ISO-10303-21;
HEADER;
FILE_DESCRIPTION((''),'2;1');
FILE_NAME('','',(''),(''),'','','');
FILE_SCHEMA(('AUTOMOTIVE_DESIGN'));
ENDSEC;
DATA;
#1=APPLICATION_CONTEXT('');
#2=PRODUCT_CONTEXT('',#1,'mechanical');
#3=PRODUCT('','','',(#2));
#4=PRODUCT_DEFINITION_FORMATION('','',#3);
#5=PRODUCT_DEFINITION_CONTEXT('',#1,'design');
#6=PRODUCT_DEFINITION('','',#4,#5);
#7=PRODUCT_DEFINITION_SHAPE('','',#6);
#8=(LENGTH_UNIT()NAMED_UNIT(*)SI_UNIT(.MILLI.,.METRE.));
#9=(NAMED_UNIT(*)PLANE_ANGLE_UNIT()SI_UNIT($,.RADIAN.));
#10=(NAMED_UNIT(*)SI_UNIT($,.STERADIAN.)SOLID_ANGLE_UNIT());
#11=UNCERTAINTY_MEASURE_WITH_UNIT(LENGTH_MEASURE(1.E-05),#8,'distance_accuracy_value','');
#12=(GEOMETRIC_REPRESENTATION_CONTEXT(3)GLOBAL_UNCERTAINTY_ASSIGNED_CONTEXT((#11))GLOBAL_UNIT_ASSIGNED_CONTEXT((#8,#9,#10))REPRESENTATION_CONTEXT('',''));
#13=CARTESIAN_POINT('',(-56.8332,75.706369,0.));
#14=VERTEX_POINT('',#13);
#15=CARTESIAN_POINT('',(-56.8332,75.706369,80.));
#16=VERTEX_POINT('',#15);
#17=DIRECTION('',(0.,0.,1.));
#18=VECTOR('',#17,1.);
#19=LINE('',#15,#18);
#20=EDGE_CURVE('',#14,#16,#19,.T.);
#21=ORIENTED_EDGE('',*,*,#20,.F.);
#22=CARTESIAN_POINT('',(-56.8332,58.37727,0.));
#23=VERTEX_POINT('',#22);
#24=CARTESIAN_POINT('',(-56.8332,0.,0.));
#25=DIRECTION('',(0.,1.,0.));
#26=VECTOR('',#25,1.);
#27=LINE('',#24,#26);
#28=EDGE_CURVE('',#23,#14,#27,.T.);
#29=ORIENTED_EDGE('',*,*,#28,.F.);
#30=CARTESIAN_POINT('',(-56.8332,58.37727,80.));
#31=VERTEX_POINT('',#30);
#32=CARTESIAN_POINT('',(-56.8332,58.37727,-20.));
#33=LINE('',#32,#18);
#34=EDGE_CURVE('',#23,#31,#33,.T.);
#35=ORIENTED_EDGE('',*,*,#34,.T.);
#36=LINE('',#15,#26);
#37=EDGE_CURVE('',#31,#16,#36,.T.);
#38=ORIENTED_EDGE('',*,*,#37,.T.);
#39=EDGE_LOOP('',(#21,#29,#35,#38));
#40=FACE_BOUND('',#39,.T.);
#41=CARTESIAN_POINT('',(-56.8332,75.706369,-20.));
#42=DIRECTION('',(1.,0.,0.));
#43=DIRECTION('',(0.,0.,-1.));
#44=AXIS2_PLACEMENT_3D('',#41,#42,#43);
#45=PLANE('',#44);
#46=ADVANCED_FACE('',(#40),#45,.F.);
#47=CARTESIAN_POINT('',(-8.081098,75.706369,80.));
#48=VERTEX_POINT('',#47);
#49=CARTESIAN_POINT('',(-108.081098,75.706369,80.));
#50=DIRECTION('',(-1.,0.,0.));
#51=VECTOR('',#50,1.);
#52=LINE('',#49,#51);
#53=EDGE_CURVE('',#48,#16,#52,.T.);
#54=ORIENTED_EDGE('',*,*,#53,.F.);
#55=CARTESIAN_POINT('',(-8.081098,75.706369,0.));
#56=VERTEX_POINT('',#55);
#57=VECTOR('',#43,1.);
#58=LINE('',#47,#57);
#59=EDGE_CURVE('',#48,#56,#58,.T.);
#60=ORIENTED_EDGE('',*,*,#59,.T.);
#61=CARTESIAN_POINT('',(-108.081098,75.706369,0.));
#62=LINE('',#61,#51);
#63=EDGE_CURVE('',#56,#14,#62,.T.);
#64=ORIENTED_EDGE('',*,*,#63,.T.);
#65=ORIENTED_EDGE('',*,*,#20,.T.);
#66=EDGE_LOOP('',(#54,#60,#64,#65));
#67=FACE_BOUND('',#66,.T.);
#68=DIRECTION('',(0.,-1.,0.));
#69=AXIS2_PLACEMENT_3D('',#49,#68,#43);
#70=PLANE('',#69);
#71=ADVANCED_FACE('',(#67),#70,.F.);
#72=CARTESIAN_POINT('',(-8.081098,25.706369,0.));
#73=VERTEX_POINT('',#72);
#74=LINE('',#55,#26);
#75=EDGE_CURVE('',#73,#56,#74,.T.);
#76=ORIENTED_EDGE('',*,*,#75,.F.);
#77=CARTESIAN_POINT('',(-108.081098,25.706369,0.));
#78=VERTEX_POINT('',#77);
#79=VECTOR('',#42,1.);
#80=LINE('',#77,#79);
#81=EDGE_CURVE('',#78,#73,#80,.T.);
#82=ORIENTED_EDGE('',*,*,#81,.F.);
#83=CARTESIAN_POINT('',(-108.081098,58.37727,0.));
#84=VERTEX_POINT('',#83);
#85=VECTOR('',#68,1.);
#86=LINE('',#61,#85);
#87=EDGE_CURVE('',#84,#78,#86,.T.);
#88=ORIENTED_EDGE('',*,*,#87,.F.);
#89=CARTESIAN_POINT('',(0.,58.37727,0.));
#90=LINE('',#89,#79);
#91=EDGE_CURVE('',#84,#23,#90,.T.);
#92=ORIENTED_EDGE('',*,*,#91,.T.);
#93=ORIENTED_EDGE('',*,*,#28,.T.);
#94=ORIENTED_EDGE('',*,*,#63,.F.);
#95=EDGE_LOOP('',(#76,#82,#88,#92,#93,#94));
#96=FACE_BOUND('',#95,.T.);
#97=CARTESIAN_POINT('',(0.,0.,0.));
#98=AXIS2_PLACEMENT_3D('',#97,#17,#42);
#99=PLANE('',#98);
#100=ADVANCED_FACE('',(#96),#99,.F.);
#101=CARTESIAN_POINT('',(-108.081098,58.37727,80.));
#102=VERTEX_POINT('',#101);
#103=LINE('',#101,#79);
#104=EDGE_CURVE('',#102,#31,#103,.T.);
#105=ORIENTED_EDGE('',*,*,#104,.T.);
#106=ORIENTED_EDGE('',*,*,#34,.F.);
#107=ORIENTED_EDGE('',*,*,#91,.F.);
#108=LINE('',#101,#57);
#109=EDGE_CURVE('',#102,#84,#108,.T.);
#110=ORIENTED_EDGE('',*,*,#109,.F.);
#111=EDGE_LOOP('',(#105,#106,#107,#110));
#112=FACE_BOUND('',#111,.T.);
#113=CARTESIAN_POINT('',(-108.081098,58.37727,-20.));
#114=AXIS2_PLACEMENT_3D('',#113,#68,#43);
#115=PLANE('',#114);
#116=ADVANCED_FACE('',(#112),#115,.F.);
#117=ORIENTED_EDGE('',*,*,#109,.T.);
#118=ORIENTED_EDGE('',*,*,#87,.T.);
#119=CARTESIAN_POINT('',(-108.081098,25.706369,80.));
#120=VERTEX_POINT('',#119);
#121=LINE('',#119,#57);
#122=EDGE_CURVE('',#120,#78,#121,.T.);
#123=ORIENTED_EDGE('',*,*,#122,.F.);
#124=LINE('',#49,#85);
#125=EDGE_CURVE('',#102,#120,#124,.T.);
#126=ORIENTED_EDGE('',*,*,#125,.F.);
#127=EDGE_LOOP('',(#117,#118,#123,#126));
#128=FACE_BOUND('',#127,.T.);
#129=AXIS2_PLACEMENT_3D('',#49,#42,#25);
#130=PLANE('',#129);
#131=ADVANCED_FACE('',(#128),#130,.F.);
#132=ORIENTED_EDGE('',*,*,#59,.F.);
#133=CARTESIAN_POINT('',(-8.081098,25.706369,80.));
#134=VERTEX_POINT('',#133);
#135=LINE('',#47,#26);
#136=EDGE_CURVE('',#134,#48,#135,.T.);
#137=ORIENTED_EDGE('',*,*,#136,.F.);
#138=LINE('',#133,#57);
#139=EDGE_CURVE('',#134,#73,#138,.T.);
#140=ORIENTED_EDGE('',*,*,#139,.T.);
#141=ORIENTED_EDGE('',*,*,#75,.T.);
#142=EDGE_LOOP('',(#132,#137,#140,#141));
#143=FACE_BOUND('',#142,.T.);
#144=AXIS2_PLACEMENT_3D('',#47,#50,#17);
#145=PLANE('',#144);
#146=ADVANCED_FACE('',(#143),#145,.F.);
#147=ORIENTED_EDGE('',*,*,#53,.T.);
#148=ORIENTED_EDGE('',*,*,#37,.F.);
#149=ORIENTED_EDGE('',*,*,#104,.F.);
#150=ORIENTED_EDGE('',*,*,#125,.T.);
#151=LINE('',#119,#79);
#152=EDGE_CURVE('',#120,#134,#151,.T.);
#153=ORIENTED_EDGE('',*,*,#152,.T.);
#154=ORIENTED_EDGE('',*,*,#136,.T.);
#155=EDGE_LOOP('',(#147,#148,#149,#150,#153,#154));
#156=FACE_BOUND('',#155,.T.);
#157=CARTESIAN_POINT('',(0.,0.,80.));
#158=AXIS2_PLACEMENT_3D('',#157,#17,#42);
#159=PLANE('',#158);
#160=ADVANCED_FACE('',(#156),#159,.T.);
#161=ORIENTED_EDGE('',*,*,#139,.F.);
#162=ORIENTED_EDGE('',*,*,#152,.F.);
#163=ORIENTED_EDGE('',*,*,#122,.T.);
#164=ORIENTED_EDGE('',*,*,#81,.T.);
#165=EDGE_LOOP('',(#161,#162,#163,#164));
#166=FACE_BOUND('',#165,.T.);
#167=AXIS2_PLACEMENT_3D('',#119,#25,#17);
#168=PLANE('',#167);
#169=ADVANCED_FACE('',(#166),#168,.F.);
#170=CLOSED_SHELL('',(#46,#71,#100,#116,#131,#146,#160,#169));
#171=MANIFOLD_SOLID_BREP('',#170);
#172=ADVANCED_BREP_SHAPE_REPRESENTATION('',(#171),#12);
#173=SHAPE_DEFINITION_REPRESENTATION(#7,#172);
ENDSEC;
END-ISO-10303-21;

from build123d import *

# Parameters (mm, degrees)
CROQUIS1_W              = 100
CROQUIS1_H              = 50
SALIENTE_EXTRUIR1_DEPTH = 80
CORTAR_EXTRUIR1_DEPTH   = 100


with BuildPart() as part:
    # Croquis1 → Saliente-Extruir1 (new body)
    with BuildSketch(Plane.XY):
        with Locations((-58.081097806, 50.706369262)):
            Rectangle(CROQUIS1_W, CROQUIS1_H)
    extrude(amount=SALIENTE_EXTRUIR1_DEPTH)

    # Croquis2 → Cortar-Extruir1 (cut)
    with BuildSketch(Plane.XY.offset(80)):
        Polygon((-108.081097806, 58.377269755), (-56.833200118, 58.377269755), (-56.833200118, 75.706369262), (-56.833200118, 87.666162545), (-112.181132859, 87.666162545), (-112.181132859, 58.377269755), align=None)
    extrude(amount=-CORTAR_EXTRUIR1_DEPTH, mode=Mode.SUBTRACT)


solid = part.part
